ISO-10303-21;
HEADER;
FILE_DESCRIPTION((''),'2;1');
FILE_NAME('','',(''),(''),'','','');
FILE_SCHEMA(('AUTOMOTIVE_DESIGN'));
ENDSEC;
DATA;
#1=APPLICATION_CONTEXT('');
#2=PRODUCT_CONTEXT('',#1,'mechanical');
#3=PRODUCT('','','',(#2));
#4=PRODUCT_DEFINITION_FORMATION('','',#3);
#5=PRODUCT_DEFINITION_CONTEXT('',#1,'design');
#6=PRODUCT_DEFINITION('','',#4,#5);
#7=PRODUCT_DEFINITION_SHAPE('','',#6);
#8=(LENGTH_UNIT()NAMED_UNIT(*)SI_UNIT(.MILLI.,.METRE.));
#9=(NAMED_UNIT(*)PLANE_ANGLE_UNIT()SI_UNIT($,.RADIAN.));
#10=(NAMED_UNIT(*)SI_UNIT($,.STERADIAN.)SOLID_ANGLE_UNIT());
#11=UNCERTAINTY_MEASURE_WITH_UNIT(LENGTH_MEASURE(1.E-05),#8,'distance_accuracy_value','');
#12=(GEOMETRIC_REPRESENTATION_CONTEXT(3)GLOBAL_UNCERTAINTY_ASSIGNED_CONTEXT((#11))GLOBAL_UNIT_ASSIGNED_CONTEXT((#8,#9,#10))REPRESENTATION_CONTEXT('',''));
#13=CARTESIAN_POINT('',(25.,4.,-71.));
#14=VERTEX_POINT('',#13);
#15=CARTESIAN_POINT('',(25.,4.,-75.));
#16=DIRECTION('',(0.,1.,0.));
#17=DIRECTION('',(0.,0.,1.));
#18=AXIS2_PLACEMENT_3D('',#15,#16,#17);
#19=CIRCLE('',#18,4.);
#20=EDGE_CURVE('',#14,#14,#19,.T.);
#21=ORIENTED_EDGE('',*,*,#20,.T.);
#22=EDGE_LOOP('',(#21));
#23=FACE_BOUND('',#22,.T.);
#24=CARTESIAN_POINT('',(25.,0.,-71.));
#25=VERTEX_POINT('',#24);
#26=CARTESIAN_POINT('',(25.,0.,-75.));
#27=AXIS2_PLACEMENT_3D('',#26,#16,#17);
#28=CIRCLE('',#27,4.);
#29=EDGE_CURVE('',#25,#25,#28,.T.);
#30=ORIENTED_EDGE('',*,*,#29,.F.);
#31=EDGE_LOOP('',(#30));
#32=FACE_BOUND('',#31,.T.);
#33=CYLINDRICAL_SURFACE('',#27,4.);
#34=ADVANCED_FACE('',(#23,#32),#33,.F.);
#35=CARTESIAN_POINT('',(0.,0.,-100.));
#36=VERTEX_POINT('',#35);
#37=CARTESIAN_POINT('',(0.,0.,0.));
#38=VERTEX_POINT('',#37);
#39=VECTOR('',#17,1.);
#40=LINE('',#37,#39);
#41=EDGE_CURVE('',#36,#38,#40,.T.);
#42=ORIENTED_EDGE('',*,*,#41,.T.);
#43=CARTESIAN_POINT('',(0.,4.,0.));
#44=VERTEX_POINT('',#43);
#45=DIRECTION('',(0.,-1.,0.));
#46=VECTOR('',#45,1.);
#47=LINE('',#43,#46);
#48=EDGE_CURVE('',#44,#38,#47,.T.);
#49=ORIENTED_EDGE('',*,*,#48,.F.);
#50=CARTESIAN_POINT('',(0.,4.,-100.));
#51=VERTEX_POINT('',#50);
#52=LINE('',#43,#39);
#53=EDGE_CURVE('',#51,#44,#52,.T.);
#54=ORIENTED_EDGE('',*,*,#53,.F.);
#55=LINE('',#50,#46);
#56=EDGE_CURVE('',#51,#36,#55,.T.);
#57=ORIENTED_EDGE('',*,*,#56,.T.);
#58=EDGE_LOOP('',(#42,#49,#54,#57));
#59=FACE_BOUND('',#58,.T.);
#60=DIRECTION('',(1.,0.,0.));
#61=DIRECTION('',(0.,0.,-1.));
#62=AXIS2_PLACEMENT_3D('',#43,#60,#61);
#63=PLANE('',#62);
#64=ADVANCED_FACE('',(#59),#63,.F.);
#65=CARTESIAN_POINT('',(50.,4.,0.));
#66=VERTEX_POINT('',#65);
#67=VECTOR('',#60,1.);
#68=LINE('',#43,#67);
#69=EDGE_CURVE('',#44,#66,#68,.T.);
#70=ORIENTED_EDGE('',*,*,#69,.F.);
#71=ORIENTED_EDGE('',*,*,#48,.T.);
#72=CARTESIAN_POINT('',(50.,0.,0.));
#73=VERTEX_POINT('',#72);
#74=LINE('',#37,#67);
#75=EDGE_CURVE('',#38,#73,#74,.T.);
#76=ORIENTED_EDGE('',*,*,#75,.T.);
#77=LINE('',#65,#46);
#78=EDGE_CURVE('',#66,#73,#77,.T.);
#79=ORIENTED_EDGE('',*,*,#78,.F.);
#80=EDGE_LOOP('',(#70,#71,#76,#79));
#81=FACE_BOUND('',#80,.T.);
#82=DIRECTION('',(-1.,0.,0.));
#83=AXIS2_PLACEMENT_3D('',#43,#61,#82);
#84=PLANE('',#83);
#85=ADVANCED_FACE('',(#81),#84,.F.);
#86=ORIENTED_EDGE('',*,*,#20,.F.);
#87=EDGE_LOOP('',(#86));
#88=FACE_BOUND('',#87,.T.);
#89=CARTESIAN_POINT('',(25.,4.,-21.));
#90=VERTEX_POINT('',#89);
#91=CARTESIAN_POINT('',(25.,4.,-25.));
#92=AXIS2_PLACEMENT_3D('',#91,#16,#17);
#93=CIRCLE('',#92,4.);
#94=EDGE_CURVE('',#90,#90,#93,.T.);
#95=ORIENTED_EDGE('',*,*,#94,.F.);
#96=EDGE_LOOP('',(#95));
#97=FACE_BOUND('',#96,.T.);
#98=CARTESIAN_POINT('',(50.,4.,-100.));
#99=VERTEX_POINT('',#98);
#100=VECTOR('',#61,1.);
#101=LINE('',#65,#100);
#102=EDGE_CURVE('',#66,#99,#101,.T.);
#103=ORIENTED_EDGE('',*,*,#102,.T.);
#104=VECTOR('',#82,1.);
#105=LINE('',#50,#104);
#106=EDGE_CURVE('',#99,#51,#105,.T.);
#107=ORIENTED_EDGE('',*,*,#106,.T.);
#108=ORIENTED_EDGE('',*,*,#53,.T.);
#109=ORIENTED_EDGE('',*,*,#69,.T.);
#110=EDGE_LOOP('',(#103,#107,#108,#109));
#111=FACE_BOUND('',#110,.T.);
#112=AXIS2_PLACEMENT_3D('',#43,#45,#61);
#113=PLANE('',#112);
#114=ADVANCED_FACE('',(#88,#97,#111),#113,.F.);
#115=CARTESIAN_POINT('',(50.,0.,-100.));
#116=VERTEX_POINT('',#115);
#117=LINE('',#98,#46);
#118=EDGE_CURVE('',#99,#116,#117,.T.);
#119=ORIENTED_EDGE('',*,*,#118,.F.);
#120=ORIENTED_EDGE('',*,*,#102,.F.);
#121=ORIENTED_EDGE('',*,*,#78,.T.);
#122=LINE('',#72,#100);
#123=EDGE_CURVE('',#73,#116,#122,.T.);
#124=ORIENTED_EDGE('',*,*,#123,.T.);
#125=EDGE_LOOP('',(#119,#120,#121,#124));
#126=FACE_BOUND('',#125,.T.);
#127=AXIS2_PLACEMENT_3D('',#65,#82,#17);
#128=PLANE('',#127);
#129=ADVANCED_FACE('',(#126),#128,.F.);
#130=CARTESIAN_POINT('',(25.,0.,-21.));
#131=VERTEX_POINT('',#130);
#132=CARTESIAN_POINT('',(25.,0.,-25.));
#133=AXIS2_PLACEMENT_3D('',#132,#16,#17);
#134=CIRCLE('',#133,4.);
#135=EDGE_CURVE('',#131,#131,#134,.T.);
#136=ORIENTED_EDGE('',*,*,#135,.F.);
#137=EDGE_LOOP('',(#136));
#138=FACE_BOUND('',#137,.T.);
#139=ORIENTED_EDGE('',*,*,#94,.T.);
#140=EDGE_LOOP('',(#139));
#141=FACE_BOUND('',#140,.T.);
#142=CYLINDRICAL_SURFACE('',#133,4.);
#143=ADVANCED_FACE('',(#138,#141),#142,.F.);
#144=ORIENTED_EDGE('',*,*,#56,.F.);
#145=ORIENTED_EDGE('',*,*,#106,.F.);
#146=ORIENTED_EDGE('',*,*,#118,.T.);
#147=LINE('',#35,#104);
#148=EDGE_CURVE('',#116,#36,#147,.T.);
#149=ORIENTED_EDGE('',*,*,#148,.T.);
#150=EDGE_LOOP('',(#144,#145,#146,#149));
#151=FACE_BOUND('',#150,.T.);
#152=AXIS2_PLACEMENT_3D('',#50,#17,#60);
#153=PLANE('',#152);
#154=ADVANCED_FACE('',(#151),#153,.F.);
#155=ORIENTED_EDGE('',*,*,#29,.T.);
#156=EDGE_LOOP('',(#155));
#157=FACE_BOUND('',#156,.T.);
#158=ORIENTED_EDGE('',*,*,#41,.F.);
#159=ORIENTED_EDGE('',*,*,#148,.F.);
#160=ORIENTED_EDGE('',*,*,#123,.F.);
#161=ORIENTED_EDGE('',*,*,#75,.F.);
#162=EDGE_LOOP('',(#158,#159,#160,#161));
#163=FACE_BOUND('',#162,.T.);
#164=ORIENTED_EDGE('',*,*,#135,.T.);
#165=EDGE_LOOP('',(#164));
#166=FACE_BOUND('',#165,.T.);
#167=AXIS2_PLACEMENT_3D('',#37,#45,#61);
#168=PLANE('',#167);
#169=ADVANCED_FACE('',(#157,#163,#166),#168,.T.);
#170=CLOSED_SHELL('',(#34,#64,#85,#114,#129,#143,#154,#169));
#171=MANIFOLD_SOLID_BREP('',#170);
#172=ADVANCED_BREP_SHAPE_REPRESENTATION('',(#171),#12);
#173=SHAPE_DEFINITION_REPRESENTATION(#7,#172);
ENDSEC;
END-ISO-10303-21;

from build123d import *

# Parameters (mm, degrees)
SKETCH1_W           = 50
SKETCH1_H           = 100
BOSS_EXTRUDE1_DEPTH = 4
SKETCH2_R           = 4
CUT_EXTRUDE1_DEPTH  = 112.874930168


with BuildPart() as part:
    # Sketch1 → Boss-Extrude1 (new body)
    with BuildSketch(Plane(origin=(0, 0, 0), x_dir=(1, 0, 0), z_dir=(0, 1, 0))):
        with Locations((25, 50)):
            Rectangle(SKETCH1_W, SKETCH1_H)
    extrude(amount=BOSS_EXTRUDE1_DEPTH)

    # Sketch2 → Cut-Extrude1 (cut, through all)
    with BuildSketch(Plane(origin=(0, 4, 0), x_dir=(1, 0, 0), z_dir=(0, 1, 0))):
        with Locations(Location((25, 75, 0), (0, 0, 270))):
            Circle(SKETCH2_R)
        with Locations(Location((25, 25, 0), (0, 0, 270))):
            Circle(SKETCH2_R)
    extrude(amount=-CUT_EXTRUDE1_DEPTH, mode=Mode.SUBTRACT)


solid = part.part
